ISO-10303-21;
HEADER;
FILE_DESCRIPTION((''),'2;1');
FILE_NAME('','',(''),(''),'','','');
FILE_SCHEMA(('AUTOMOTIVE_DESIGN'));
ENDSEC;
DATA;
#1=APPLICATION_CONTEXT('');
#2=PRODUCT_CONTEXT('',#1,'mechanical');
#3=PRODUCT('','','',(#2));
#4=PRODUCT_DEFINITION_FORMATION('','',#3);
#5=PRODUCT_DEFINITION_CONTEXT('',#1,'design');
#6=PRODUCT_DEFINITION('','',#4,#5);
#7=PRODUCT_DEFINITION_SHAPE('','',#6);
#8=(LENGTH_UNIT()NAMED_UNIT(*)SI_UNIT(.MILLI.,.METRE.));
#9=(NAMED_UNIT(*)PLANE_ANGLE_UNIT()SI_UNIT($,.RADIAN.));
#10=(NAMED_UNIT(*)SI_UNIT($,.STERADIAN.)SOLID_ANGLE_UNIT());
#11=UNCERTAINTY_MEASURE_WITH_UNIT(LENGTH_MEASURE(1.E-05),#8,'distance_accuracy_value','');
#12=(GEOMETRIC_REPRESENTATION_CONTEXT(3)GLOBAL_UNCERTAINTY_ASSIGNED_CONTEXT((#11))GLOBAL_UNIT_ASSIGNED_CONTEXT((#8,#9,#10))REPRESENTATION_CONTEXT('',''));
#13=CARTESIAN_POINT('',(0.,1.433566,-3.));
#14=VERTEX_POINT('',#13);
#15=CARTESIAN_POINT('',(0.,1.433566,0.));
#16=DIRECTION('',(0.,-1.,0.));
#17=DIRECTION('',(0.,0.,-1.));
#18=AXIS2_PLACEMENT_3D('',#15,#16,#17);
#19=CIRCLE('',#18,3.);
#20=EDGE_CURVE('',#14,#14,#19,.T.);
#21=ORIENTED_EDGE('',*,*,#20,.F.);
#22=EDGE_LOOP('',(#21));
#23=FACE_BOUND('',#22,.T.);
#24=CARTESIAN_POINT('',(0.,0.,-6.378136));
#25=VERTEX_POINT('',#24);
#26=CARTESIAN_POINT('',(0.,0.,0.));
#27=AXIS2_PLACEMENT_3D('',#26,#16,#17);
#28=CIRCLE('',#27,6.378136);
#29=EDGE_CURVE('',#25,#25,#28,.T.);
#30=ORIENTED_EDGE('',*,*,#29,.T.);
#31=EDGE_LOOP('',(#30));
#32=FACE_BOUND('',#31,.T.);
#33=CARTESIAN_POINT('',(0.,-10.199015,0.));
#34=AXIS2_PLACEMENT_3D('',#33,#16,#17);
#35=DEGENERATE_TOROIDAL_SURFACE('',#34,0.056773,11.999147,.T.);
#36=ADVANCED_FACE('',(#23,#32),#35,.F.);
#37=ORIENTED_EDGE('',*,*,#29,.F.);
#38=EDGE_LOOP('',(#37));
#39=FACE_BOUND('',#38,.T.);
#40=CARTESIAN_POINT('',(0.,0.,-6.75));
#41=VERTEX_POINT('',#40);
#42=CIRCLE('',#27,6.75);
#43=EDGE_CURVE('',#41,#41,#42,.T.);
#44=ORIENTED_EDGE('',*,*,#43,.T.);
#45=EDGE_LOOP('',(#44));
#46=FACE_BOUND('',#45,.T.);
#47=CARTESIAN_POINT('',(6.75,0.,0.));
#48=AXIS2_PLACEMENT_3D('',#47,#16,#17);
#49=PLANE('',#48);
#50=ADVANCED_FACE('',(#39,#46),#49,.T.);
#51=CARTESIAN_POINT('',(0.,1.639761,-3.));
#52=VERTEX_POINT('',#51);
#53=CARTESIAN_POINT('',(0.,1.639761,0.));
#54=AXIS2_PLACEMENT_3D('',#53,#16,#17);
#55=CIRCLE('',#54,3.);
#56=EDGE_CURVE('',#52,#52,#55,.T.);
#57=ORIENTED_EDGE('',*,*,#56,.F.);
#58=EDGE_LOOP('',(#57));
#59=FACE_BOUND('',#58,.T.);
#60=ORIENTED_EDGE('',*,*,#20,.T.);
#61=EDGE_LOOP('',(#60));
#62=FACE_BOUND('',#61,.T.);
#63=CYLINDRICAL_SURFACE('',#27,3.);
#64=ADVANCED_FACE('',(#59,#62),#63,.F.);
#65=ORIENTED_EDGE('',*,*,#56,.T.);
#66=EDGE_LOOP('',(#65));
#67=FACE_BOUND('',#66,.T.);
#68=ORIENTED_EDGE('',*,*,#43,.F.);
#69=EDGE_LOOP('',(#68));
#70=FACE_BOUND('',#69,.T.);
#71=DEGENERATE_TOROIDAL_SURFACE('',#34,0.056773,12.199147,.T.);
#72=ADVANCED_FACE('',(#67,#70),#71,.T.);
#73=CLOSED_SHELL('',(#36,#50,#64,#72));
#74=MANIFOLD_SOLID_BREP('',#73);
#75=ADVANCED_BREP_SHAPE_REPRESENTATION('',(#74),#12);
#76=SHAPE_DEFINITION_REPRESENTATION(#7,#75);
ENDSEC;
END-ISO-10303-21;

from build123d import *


with BuildPart() as part:
    # Sketch1 → Revolve1 (revolve)
    with BuildSketch(Plane.XY, mode=Mode.PRIVATE) as revolve1_sk:
        with BuildLine():
            Line((3, 1.433566306), (3, 1.639760556))
            ThreePointArc((3, 1.639760556), (4.944258563, 0.97826902), (6.75, 0))
            Line((6.75, 0), (6.37813587, 0))
            ThreePointArc((6.37813587, 0), (4.744196011, 0.846690035), (3, 1.433566306))
        make_face()
    revolve(revolve1_sk.sketch.rotate(Axis((0, 0, 0), (0, 1, 0)), 90), axis=Axis((0, 0, 0), (0, 1, 0)))


solid = part.part
